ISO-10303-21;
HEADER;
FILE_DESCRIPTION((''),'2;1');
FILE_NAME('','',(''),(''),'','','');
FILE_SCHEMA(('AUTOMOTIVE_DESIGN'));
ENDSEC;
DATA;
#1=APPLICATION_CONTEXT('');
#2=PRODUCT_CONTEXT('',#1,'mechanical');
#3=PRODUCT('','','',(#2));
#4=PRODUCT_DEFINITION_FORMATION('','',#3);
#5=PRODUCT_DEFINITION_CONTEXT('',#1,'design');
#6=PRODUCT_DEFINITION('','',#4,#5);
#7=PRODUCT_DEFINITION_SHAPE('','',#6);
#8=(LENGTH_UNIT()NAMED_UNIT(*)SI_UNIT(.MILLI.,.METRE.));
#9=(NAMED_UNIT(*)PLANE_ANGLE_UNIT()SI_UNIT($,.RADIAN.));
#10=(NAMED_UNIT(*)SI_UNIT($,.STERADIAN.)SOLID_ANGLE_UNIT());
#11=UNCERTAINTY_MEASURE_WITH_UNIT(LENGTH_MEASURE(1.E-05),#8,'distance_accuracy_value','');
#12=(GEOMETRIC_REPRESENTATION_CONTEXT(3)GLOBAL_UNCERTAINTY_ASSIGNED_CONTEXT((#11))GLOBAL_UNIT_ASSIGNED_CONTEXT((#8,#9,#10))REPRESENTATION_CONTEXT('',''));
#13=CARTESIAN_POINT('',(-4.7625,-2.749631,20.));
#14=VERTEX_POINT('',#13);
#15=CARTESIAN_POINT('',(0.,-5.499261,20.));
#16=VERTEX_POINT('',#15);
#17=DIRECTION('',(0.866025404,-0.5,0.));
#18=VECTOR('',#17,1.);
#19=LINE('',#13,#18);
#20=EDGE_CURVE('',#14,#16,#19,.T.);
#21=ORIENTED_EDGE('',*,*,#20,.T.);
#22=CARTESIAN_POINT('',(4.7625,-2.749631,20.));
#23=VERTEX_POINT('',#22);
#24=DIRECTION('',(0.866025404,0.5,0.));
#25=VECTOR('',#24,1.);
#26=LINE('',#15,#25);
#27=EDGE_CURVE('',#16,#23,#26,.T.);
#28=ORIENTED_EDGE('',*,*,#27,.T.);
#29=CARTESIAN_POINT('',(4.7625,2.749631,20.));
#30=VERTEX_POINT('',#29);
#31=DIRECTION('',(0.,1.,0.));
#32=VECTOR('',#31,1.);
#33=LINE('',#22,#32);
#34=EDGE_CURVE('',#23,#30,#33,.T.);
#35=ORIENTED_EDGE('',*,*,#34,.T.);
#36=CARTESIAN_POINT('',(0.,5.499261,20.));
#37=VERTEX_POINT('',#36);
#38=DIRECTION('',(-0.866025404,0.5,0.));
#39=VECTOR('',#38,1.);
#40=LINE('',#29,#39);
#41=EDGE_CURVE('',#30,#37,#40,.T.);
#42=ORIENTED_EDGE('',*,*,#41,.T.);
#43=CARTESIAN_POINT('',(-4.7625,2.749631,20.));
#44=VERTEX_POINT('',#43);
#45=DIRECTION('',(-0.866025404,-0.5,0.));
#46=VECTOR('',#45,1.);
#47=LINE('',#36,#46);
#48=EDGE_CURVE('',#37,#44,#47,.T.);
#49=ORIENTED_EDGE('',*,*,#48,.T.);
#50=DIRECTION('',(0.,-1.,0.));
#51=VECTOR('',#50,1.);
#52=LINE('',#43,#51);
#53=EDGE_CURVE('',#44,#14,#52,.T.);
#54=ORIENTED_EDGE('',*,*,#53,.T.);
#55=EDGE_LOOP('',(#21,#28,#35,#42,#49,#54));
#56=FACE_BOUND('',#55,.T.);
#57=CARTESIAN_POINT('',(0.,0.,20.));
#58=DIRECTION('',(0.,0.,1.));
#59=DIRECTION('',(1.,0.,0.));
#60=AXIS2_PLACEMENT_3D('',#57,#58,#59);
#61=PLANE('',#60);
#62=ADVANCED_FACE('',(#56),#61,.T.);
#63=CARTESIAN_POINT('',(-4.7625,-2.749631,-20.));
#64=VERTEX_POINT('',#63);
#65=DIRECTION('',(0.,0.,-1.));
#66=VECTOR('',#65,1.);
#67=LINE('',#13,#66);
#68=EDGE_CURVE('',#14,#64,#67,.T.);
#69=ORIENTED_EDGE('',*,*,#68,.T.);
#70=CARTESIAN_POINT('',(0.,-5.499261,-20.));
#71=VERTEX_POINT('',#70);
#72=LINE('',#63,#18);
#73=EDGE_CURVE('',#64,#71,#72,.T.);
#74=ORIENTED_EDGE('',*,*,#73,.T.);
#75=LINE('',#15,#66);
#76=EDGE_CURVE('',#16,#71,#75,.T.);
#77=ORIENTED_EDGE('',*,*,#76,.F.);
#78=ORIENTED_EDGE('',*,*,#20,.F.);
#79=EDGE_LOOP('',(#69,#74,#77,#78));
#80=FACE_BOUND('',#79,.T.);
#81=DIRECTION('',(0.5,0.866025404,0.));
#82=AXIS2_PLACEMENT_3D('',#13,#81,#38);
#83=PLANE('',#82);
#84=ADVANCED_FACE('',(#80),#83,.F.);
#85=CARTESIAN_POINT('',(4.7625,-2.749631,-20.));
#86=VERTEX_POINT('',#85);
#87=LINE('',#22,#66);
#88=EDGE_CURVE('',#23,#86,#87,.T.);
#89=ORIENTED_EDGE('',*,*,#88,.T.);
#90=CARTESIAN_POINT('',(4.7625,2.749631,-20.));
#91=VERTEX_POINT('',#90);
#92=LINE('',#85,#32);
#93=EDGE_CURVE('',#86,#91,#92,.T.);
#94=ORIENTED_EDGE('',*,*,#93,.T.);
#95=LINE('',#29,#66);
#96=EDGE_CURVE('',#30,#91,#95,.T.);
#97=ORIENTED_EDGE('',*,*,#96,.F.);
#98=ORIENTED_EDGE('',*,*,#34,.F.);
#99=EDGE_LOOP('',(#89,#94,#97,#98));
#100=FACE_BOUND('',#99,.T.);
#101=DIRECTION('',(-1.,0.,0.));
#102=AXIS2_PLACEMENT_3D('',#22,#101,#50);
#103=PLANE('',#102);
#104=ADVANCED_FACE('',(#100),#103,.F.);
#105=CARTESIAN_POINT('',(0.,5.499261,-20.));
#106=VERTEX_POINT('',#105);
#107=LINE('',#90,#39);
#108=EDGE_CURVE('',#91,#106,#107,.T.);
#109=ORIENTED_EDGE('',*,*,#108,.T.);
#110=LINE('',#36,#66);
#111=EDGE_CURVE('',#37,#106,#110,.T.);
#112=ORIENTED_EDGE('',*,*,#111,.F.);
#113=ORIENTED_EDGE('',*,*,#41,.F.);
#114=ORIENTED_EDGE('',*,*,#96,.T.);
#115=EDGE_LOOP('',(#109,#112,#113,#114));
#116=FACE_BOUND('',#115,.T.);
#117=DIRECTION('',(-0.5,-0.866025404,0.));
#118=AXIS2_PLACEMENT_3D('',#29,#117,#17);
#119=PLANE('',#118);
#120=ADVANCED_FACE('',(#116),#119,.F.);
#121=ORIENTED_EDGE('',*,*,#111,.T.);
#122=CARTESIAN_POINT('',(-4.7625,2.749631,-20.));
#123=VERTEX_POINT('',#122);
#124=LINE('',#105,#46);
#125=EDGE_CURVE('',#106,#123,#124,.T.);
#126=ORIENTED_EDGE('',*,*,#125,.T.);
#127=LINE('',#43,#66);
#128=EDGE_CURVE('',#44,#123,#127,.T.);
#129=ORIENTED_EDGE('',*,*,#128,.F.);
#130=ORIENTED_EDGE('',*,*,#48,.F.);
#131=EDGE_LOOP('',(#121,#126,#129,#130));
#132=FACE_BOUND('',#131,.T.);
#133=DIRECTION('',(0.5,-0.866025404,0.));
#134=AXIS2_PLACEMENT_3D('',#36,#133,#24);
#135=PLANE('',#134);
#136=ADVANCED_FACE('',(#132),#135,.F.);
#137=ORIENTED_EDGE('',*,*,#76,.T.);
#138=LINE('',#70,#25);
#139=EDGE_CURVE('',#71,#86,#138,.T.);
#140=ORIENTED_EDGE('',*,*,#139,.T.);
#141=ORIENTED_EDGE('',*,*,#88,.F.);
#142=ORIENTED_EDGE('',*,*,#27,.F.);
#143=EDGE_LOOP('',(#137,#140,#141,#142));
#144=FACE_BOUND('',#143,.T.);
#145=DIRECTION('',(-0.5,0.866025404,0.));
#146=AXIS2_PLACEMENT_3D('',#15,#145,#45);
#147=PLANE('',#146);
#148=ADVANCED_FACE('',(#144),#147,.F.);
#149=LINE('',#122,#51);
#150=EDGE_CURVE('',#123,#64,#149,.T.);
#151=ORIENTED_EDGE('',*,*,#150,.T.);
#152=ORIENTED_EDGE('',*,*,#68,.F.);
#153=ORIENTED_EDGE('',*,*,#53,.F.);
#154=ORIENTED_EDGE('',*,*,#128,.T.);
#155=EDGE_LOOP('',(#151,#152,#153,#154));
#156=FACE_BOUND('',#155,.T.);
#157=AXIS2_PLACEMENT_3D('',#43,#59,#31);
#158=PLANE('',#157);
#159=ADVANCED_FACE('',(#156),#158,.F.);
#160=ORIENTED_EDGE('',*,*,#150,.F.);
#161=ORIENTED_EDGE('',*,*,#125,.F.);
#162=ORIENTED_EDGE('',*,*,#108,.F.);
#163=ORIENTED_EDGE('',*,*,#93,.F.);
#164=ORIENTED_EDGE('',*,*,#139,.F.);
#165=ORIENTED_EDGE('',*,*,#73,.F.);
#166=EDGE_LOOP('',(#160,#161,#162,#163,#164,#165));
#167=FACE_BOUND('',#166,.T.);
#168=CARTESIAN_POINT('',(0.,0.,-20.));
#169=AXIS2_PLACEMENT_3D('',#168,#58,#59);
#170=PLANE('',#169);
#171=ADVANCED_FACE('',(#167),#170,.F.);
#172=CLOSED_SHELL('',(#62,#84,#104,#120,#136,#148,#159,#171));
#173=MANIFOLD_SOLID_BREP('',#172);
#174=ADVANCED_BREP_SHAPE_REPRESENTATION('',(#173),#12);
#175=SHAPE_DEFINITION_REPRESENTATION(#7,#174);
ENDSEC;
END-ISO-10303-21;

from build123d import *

# Parameters (mm, degrees)
BOSS_EXTRUDE1_DEPTH = 20


with BuildPart() as part:
    # Sketch1 → Boss-Extrude1 (new, symmetric)
    with BuildSketch(Plane.XY):
        Polygon((4.7625, 2.749630657), (0, 5.499261314), (-4.7625, 2.749630657), (-4.7625, -2.749630657), (0, -5.499261314), (4.7625, -2.749630657), align=None)
    extrude(amount=BOSS_EXTRUDE1_DEPTH, both=True)


solid = part.part
